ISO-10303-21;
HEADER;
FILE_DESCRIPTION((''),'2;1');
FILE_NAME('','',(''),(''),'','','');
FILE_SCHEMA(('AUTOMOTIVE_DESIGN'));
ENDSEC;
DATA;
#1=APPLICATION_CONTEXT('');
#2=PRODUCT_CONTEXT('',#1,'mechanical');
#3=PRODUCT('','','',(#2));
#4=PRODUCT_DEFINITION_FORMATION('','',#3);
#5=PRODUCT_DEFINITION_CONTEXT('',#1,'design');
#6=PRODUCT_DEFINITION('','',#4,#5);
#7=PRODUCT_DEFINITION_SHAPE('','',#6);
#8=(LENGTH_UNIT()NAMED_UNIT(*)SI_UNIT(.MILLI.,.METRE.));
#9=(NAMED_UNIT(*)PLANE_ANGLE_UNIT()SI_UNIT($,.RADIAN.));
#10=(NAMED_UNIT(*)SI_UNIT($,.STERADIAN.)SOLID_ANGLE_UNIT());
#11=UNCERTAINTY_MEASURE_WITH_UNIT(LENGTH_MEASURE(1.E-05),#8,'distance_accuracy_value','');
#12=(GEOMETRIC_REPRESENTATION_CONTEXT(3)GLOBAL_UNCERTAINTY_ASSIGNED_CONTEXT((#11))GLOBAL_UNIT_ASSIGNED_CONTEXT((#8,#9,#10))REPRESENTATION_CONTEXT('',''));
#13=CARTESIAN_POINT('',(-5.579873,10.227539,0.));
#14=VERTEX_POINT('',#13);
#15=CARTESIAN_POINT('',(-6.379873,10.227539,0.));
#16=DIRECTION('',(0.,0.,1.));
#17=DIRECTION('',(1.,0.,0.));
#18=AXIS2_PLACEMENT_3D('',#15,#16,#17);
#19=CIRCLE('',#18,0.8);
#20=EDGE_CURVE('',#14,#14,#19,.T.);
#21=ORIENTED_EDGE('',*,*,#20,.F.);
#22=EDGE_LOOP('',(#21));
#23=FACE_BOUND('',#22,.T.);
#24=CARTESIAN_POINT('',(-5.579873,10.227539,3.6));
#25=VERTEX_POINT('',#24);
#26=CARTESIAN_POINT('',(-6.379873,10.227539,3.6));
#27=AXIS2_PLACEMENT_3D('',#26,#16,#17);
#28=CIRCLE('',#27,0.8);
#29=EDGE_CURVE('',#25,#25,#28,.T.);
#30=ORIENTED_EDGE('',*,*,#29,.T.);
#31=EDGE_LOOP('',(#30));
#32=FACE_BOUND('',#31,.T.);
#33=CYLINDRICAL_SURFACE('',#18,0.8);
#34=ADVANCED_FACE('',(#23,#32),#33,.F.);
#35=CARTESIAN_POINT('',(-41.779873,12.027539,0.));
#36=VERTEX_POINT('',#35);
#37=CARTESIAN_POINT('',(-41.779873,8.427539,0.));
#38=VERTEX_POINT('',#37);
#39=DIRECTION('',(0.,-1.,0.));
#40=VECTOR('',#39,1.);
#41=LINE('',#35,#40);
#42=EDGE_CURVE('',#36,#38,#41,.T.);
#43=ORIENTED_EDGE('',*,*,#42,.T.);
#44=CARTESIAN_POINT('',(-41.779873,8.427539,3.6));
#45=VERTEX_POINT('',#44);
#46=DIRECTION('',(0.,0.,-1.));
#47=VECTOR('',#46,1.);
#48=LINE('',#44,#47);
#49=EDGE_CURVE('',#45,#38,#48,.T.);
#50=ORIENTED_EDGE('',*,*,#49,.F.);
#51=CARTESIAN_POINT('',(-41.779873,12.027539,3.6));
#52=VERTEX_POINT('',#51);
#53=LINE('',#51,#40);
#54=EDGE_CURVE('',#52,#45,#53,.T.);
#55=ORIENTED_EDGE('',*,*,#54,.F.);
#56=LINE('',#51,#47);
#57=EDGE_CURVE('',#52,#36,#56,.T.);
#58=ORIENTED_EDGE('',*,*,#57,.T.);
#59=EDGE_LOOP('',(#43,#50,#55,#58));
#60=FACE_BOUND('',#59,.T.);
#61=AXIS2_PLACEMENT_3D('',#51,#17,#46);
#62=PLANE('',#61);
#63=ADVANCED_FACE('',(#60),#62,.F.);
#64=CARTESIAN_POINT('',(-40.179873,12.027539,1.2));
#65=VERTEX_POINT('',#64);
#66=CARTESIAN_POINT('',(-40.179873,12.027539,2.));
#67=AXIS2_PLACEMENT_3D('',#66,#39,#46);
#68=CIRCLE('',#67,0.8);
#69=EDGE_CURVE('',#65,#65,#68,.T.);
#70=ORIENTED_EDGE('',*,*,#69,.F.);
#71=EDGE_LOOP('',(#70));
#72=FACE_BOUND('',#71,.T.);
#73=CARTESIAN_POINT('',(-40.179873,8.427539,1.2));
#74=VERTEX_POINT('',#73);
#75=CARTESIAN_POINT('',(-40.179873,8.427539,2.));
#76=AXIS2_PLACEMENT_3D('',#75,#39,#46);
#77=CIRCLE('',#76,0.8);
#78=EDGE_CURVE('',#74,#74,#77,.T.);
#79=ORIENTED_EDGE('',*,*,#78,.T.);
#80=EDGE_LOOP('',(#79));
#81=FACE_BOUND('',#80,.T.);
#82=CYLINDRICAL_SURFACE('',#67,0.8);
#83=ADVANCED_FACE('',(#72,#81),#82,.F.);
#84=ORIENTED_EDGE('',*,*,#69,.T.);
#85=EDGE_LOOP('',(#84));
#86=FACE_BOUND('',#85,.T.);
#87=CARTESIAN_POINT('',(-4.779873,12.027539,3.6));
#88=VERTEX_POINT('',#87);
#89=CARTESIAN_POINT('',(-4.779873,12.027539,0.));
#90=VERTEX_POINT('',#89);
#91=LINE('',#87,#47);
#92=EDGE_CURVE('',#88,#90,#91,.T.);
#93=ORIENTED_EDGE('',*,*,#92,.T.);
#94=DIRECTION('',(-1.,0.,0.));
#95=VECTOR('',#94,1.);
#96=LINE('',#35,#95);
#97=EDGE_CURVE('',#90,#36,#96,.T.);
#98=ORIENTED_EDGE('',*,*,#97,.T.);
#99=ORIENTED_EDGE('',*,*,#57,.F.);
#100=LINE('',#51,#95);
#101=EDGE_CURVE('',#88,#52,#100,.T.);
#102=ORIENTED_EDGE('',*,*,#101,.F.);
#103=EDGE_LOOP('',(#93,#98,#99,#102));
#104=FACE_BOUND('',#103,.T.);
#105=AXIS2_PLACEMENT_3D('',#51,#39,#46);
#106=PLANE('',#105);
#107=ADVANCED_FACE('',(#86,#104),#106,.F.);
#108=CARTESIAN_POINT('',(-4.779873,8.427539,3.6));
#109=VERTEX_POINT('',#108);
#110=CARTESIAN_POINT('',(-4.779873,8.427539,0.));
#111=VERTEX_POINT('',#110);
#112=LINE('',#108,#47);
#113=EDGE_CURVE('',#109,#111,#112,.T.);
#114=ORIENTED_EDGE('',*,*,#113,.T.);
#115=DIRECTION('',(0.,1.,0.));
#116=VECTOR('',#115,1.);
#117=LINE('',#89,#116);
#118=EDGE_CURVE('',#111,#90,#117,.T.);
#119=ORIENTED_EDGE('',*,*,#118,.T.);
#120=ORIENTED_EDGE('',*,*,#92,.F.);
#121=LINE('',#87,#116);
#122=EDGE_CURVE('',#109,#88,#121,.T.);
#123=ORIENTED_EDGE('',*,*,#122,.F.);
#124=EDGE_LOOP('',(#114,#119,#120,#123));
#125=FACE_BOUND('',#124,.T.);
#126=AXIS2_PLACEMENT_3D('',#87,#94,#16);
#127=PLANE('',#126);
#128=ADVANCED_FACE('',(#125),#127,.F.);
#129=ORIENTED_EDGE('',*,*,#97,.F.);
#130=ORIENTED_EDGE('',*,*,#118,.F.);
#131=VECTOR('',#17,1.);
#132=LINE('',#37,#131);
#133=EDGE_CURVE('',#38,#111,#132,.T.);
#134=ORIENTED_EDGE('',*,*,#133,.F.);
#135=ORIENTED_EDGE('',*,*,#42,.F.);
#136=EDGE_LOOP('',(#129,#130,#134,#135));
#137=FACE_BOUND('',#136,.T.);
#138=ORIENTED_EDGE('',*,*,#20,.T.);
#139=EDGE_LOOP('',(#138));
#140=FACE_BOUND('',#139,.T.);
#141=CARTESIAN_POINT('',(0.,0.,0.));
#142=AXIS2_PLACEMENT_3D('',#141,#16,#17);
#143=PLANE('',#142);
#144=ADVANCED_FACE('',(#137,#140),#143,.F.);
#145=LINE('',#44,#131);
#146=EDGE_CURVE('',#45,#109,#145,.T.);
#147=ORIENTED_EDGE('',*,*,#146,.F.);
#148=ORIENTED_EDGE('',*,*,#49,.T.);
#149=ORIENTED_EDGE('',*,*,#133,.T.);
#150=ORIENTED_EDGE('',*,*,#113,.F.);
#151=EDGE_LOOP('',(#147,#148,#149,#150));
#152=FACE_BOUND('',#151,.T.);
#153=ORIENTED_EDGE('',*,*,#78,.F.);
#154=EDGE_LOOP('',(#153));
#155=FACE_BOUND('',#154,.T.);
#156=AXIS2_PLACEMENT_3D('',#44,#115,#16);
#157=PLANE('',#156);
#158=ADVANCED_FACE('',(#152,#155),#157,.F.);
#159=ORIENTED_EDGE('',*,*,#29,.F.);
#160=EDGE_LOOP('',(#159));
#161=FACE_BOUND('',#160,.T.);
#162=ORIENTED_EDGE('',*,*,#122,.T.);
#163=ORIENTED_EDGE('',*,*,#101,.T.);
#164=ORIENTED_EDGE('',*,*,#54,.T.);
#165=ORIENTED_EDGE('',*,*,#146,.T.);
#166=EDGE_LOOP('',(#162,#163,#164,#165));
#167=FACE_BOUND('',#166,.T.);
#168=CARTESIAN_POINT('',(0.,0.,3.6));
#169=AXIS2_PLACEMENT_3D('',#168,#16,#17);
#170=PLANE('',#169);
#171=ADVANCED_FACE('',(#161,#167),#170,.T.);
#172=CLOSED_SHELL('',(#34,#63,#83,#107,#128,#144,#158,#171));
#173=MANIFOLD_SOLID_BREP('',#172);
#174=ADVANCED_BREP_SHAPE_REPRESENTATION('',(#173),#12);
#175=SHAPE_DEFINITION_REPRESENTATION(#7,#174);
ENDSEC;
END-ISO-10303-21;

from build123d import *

# Parameters (mm, degrees)
SKETCH1_W           = 37
SKETCH1_H           = 3.6
BOSS_EXTRUDE1_DEPTH = 3.6
SKETCH2_R           = 0.8
CUT_EXTRUDE1_DEPTH  = 3.6
SKETCH3_R           = 0.8
CUT_EXTRUDE2_DEPTH  = 3.6


with BuildPart() as part:
    # Sketch1 → Boss-Extrude1 (new body)
    with BuildSketch(Plane.XY):
        with Locations((-23.279872622, 10.227539088)):
            Rectangle(SKETCH1_W, SKETCH1_H)
    extrude(amount=BOSS_EXTRUDE1_DEPTH)

    # Sketch2 → Cut-Extrude1 (cut)
    with BuildSketch(Plane.XY.offset(3.6)):
        with Locations((-6.379872622, 10.227539088)):
            Circle(SKETCH2_R)
    extrude(amount=-CUT_EXTRUDE1_DEPTH, mode=Mode.SUBTRACT)

    # Sketch3 → Cut-Extrude2 (cut)
    with BuildSketch(Plane.XZ.offset(-8.427539088)):
        with Locations(Location((-40.179872622, 2, 0), (0, 0, 270))):
            Circle(SKETCH3_R)
    extrude(amount=-CUT_EXTRUDE2_DEPTH, mode=Mode.SUBTRACT)


solid = part.part
